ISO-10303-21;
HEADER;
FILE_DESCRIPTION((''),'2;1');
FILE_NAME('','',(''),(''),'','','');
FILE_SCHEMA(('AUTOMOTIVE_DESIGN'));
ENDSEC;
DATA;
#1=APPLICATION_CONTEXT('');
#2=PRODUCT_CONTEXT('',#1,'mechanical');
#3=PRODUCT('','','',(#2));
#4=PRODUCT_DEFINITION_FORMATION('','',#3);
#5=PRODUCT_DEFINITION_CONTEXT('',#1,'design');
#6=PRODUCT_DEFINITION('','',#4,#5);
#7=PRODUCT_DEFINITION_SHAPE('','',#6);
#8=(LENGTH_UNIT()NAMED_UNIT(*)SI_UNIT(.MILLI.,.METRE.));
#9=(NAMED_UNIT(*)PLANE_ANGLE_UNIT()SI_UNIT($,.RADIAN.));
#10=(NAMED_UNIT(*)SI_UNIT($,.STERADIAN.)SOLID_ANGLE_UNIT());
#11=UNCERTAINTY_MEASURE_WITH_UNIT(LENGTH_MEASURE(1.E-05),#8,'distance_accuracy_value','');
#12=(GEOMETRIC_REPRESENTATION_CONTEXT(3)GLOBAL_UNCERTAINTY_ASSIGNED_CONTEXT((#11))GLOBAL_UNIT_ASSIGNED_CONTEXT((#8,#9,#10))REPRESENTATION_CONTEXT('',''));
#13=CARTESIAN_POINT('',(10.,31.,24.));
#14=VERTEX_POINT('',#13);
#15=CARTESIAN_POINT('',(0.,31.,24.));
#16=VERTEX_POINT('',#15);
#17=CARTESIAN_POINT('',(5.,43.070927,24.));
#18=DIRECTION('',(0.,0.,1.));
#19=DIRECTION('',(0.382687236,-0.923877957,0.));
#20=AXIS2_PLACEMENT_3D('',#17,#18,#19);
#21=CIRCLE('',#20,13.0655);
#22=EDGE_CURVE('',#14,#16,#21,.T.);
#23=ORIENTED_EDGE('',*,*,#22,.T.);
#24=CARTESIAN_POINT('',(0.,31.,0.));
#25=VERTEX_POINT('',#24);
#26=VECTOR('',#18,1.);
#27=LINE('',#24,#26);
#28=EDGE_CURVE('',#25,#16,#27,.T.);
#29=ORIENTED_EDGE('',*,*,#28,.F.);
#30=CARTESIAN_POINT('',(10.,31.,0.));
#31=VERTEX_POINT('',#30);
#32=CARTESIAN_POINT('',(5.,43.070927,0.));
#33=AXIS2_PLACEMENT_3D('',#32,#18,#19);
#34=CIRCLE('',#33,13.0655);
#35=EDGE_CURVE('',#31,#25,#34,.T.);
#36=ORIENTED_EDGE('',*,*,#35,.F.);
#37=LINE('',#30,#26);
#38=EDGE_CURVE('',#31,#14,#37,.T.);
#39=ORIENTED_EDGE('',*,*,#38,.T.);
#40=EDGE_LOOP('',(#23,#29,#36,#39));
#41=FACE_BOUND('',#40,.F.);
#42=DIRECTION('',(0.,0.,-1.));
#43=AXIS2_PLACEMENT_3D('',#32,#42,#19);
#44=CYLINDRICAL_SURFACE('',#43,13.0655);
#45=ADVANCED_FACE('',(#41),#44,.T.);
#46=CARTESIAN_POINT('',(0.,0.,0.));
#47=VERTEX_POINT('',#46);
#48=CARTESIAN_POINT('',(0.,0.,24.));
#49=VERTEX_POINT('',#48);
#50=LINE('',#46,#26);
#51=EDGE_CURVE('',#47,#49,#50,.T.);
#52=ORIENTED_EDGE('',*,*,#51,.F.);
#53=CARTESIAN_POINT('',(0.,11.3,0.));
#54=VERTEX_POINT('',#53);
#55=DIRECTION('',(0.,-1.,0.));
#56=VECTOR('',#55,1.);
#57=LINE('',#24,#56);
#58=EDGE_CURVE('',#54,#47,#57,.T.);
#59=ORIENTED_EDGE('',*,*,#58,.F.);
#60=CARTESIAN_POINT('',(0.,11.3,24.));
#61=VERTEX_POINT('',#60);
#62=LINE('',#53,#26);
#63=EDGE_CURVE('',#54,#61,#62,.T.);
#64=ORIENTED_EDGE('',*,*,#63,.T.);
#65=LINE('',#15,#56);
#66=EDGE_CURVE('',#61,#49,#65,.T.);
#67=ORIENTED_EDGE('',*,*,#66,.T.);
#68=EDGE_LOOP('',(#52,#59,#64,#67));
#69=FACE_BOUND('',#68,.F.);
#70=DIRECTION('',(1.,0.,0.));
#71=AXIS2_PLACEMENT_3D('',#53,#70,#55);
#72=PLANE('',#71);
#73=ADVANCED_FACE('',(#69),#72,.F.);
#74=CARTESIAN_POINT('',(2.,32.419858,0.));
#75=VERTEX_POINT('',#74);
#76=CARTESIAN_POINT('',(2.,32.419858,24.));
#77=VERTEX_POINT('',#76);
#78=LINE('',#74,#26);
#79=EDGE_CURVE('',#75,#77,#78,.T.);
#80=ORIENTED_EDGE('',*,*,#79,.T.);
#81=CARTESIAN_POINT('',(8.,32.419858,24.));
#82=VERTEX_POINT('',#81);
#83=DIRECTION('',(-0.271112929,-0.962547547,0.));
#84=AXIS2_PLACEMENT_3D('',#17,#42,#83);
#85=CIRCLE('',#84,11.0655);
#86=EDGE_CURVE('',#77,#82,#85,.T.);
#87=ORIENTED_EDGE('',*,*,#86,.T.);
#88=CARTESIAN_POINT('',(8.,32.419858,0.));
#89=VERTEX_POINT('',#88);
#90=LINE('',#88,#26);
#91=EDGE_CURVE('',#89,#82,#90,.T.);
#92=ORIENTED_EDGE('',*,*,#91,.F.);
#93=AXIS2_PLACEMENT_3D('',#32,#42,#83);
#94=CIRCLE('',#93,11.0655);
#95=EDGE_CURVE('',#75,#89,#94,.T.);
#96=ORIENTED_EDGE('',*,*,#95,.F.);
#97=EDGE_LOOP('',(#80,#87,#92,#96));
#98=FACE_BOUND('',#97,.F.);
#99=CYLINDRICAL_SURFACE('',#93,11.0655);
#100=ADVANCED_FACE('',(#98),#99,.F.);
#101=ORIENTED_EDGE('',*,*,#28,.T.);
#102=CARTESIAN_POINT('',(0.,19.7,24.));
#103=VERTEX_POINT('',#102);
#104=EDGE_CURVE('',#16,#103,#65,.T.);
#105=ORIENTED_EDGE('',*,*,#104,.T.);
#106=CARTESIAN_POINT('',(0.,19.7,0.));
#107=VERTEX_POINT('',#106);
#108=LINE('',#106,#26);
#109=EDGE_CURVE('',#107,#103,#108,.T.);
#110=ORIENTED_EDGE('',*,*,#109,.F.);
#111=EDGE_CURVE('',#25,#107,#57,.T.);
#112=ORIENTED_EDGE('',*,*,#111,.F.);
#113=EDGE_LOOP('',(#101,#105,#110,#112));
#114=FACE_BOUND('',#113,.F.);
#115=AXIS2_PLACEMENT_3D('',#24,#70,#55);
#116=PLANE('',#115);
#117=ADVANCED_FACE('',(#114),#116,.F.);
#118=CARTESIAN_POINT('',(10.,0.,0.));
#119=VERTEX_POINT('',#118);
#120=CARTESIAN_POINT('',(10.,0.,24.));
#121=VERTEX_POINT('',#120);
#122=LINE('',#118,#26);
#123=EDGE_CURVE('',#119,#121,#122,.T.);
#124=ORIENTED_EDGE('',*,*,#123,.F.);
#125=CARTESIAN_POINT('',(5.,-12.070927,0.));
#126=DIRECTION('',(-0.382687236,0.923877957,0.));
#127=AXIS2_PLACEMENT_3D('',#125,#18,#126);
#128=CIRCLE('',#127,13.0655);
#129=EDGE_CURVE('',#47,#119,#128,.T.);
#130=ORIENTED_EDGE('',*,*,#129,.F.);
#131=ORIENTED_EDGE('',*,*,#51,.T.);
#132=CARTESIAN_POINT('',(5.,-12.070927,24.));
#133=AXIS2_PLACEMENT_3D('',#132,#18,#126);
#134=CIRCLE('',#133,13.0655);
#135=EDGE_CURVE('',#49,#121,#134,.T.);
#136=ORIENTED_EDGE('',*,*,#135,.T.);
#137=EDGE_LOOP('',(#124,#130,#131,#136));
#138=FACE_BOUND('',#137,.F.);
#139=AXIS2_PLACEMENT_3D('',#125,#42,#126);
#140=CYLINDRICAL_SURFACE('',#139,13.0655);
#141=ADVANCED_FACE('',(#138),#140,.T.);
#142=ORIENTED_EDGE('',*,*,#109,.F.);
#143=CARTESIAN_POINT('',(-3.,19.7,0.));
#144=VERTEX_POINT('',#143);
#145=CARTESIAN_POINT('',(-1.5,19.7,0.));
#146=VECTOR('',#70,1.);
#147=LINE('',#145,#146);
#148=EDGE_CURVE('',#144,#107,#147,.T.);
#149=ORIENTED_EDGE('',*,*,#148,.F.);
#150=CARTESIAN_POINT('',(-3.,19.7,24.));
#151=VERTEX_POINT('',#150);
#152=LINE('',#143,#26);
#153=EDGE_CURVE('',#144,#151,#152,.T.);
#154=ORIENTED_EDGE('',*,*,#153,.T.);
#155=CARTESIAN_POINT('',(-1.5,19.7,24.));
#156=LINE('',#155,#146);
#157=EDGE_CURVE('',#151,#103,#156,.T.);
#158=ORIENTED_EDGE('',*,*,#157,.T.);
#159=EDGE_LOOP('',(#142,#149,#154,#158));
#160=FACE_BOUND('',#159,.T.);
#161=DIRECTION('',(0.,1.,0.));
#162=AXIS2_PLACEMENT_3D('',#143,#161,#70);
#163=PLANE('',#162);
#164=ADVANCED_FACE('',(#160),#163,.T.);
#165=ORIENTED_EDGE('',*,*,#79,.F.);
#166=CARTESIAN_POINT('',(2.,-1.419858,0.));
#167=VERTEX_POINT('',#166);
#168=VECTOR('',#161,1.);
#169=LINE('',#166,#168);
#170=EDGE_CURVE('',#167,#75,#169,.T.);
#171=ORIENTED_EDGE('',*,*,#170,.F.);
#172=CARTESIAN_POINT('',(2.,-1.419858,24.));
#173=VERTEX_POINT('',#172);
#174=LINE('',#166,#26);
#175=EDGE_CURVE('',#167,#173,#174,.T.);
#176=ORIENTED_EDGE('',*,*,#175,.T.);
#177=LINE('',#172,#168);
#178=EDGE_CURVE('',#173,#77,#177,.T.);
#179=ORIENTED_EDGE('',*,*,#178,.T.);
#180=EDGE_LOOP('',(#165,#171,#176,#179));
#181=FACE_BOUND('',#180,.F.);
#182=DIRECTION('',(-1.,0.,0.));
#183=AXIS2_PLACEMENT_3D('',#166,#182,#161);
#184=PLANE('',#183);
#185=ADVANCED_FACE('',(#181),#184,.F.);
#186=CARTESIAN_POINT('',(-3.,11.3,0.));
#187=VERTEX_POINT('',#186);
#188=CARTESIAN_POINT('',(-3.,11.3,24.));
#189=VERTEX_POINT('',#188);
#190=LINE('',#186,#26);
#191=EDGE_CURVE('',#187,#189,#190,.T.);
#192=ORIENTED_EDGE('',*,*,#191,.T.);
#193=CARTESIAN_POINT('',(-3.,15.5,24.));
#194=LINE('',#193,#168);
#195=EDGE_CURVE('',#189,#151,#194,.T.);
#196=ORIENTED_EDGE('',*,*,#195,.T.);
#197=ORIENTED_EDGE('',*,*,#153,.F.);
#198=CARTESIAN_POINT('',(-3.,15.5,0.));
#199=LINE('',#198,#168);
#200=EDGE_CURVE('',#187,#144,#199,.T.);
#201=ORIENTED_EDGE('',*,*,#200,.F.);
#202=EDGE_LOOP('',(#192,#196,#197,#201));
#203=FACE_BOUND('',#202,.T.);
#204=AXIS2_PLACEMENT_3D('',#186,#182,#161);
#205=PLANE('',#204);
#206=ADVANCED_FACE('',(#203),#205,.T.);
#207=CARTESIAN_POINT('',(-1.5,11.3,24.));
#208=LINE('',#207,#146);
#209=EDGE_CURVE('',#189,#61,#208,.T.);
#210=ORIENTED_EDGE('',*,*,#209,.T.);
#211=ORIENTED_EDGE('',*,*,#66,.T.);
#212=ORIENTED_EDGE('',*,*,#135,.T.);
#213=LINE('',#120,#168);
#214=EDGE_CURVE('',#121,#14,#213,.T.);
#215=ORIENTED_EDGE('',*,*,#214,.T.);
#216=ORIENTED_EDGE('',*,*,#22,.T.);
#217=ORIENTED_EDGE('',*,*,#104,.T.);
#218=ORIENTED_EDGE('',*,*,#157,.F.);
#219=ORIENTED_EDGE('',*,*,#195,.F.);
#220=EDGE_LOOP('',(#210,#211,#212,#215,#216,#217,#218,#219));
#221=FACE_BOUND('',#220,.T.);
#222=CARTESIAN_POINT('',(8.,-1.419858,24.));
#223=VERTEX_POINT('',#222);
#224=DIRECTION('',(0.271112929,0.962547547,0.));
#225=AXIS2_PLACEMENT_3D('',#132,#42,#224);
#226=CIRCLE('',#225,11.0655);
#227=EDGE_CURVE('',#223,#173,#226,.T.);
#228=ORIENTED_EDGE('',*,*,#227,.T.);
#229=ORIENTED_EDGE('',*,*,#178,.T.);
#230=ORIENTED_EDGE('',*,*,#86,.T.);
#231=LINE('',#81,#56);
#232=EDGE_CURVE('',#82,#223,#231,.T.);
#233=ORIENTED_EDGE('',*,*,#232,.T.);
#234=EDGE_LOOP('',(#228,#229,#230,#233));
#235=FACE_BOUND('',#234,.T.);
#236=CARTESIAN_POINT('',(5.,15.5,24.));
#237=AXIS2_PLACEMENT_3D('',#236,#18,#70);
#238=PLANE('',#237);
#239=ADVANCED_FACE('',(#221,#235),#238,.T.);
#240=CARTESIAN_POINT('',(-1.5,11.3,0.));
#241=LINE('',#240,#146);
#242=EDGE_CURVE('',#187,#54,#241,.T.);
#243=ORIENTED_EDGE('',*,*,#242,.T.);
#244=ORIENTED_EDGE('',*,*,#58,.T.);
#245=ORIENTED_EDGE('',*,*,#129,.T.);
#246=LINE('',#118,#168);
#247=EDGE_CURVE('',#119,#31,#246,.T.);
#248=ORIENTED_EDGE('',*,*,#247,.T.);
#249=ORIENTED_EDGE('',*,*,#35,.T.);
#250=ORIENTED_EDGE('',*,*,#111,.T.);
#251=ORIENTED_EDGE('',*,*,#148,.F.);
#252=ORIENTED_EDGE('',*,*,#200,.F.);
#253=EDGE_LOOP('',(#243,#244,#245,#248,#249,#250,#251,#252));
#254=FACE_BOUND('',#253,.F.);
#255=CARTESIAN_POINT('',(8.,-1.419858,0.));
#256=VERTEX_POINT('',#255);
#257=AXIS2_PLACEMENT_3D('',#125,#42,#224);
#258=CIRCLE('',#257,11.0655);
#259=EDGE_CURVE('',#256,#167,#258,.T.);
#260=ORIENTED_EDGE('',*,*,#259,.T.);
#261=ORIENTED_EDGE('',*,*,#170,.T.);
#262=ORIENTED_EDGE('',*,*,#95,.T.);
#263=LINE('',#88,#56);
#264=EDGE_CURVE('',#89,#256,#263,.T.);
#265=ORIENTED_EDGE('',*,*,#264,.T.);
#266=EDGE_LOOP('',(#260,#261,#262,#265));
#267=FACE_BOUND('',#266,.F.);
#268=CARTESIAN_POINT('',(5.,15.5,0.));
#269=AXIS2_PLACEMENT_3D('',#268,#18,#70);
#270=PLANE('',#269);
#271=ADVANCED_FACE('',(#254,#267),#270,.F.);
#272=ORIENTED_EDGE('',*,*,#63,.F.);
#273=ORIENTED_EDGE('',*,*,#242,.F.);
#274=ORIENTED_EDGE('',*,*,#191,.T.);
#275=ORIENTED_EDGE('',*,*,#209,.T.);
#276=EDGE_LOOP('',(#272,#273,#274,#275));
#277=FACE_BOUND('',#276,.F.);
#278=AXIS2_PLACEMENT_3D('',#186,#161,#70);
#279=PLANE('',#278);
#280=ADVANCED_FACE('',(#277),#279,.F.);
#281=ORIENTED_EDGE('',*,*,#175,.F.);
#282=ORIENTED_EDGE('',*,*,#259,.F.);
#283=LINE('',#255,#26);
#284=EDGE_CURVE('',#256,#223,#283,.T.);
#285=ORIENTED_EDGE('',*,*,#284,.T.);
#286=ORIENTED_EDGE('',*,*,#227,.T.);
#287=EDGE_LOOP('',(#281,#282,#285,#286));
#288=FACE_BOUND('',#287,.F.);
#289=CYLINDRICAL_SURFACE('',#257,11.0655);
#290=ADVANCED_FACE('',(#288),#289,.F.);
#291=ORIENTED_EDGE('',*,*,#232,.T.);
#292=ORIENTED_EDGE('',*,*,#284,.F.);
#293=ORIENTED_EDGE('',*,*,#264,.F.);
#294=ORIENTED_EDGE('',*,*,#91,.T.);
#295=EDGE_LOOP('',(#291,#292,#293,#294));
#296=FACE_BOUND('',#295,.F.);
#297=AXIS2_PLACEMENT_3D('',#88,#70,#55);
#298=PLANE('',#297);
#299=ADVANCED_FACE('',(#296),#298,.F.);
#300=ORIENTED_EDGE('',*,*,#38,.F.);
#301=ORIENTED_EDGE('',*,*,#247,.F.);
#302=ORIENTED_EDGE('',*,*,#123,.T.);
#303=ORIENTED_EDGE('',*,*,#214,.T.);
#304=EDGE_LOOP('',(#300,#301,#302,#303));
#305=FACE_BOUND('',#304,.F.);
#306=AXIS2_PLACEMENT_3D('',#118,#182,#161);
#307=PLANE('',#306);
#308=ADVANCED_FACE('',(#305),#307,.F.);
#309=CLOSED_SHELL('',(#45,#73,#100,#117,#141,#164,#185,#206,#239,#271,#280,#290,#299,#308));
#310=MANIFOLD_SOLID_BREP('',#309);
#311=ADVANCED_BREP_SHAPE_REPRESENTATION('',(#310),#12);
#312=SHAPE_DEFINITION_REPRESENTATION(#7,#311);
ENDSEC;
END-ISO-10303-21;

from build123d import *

# Parameters (mm, degrees)
F0_W     = 3
F0_H     = 8.4
F1_DEPTH = 24


with BuildPart() as f1:
    # F0 (on Top) → F1 (new body)
    with BuildSketch(Plane.XY):
        with BuildLine():
            Line((0, 11.3), (0, 0))
            ThreePointArc((0, 0), (5, -25.136427), (10, 0))
            Line((10, 0), (10, 31))
            ThreePointArc((10, 31), (5, 56.136427), (0, 31))
            Line((0, 31), (0, 19.7))
            Line((0, 19.7), (0, 11.3))
        make_face()
        with BuildLine():
            ThreePointArc((2, 32.419858), (5, 54.136427), (8, 32.419858))
            Line((8, 32.419858), (8, -1.419858))
            ThreePointArc((8, -1.419858), (5, -23.136427), (2, -1.419858))
            Line((2, -1.419858), (2, 32.419858))
        make_face(mode=Mode.SUBTRACT)
        with Locations((-1.5, 15.5)):
            Rectangle(F0_W, F0_H)
    extrude(amount=F1_DEPTH)


solid = f1.part
